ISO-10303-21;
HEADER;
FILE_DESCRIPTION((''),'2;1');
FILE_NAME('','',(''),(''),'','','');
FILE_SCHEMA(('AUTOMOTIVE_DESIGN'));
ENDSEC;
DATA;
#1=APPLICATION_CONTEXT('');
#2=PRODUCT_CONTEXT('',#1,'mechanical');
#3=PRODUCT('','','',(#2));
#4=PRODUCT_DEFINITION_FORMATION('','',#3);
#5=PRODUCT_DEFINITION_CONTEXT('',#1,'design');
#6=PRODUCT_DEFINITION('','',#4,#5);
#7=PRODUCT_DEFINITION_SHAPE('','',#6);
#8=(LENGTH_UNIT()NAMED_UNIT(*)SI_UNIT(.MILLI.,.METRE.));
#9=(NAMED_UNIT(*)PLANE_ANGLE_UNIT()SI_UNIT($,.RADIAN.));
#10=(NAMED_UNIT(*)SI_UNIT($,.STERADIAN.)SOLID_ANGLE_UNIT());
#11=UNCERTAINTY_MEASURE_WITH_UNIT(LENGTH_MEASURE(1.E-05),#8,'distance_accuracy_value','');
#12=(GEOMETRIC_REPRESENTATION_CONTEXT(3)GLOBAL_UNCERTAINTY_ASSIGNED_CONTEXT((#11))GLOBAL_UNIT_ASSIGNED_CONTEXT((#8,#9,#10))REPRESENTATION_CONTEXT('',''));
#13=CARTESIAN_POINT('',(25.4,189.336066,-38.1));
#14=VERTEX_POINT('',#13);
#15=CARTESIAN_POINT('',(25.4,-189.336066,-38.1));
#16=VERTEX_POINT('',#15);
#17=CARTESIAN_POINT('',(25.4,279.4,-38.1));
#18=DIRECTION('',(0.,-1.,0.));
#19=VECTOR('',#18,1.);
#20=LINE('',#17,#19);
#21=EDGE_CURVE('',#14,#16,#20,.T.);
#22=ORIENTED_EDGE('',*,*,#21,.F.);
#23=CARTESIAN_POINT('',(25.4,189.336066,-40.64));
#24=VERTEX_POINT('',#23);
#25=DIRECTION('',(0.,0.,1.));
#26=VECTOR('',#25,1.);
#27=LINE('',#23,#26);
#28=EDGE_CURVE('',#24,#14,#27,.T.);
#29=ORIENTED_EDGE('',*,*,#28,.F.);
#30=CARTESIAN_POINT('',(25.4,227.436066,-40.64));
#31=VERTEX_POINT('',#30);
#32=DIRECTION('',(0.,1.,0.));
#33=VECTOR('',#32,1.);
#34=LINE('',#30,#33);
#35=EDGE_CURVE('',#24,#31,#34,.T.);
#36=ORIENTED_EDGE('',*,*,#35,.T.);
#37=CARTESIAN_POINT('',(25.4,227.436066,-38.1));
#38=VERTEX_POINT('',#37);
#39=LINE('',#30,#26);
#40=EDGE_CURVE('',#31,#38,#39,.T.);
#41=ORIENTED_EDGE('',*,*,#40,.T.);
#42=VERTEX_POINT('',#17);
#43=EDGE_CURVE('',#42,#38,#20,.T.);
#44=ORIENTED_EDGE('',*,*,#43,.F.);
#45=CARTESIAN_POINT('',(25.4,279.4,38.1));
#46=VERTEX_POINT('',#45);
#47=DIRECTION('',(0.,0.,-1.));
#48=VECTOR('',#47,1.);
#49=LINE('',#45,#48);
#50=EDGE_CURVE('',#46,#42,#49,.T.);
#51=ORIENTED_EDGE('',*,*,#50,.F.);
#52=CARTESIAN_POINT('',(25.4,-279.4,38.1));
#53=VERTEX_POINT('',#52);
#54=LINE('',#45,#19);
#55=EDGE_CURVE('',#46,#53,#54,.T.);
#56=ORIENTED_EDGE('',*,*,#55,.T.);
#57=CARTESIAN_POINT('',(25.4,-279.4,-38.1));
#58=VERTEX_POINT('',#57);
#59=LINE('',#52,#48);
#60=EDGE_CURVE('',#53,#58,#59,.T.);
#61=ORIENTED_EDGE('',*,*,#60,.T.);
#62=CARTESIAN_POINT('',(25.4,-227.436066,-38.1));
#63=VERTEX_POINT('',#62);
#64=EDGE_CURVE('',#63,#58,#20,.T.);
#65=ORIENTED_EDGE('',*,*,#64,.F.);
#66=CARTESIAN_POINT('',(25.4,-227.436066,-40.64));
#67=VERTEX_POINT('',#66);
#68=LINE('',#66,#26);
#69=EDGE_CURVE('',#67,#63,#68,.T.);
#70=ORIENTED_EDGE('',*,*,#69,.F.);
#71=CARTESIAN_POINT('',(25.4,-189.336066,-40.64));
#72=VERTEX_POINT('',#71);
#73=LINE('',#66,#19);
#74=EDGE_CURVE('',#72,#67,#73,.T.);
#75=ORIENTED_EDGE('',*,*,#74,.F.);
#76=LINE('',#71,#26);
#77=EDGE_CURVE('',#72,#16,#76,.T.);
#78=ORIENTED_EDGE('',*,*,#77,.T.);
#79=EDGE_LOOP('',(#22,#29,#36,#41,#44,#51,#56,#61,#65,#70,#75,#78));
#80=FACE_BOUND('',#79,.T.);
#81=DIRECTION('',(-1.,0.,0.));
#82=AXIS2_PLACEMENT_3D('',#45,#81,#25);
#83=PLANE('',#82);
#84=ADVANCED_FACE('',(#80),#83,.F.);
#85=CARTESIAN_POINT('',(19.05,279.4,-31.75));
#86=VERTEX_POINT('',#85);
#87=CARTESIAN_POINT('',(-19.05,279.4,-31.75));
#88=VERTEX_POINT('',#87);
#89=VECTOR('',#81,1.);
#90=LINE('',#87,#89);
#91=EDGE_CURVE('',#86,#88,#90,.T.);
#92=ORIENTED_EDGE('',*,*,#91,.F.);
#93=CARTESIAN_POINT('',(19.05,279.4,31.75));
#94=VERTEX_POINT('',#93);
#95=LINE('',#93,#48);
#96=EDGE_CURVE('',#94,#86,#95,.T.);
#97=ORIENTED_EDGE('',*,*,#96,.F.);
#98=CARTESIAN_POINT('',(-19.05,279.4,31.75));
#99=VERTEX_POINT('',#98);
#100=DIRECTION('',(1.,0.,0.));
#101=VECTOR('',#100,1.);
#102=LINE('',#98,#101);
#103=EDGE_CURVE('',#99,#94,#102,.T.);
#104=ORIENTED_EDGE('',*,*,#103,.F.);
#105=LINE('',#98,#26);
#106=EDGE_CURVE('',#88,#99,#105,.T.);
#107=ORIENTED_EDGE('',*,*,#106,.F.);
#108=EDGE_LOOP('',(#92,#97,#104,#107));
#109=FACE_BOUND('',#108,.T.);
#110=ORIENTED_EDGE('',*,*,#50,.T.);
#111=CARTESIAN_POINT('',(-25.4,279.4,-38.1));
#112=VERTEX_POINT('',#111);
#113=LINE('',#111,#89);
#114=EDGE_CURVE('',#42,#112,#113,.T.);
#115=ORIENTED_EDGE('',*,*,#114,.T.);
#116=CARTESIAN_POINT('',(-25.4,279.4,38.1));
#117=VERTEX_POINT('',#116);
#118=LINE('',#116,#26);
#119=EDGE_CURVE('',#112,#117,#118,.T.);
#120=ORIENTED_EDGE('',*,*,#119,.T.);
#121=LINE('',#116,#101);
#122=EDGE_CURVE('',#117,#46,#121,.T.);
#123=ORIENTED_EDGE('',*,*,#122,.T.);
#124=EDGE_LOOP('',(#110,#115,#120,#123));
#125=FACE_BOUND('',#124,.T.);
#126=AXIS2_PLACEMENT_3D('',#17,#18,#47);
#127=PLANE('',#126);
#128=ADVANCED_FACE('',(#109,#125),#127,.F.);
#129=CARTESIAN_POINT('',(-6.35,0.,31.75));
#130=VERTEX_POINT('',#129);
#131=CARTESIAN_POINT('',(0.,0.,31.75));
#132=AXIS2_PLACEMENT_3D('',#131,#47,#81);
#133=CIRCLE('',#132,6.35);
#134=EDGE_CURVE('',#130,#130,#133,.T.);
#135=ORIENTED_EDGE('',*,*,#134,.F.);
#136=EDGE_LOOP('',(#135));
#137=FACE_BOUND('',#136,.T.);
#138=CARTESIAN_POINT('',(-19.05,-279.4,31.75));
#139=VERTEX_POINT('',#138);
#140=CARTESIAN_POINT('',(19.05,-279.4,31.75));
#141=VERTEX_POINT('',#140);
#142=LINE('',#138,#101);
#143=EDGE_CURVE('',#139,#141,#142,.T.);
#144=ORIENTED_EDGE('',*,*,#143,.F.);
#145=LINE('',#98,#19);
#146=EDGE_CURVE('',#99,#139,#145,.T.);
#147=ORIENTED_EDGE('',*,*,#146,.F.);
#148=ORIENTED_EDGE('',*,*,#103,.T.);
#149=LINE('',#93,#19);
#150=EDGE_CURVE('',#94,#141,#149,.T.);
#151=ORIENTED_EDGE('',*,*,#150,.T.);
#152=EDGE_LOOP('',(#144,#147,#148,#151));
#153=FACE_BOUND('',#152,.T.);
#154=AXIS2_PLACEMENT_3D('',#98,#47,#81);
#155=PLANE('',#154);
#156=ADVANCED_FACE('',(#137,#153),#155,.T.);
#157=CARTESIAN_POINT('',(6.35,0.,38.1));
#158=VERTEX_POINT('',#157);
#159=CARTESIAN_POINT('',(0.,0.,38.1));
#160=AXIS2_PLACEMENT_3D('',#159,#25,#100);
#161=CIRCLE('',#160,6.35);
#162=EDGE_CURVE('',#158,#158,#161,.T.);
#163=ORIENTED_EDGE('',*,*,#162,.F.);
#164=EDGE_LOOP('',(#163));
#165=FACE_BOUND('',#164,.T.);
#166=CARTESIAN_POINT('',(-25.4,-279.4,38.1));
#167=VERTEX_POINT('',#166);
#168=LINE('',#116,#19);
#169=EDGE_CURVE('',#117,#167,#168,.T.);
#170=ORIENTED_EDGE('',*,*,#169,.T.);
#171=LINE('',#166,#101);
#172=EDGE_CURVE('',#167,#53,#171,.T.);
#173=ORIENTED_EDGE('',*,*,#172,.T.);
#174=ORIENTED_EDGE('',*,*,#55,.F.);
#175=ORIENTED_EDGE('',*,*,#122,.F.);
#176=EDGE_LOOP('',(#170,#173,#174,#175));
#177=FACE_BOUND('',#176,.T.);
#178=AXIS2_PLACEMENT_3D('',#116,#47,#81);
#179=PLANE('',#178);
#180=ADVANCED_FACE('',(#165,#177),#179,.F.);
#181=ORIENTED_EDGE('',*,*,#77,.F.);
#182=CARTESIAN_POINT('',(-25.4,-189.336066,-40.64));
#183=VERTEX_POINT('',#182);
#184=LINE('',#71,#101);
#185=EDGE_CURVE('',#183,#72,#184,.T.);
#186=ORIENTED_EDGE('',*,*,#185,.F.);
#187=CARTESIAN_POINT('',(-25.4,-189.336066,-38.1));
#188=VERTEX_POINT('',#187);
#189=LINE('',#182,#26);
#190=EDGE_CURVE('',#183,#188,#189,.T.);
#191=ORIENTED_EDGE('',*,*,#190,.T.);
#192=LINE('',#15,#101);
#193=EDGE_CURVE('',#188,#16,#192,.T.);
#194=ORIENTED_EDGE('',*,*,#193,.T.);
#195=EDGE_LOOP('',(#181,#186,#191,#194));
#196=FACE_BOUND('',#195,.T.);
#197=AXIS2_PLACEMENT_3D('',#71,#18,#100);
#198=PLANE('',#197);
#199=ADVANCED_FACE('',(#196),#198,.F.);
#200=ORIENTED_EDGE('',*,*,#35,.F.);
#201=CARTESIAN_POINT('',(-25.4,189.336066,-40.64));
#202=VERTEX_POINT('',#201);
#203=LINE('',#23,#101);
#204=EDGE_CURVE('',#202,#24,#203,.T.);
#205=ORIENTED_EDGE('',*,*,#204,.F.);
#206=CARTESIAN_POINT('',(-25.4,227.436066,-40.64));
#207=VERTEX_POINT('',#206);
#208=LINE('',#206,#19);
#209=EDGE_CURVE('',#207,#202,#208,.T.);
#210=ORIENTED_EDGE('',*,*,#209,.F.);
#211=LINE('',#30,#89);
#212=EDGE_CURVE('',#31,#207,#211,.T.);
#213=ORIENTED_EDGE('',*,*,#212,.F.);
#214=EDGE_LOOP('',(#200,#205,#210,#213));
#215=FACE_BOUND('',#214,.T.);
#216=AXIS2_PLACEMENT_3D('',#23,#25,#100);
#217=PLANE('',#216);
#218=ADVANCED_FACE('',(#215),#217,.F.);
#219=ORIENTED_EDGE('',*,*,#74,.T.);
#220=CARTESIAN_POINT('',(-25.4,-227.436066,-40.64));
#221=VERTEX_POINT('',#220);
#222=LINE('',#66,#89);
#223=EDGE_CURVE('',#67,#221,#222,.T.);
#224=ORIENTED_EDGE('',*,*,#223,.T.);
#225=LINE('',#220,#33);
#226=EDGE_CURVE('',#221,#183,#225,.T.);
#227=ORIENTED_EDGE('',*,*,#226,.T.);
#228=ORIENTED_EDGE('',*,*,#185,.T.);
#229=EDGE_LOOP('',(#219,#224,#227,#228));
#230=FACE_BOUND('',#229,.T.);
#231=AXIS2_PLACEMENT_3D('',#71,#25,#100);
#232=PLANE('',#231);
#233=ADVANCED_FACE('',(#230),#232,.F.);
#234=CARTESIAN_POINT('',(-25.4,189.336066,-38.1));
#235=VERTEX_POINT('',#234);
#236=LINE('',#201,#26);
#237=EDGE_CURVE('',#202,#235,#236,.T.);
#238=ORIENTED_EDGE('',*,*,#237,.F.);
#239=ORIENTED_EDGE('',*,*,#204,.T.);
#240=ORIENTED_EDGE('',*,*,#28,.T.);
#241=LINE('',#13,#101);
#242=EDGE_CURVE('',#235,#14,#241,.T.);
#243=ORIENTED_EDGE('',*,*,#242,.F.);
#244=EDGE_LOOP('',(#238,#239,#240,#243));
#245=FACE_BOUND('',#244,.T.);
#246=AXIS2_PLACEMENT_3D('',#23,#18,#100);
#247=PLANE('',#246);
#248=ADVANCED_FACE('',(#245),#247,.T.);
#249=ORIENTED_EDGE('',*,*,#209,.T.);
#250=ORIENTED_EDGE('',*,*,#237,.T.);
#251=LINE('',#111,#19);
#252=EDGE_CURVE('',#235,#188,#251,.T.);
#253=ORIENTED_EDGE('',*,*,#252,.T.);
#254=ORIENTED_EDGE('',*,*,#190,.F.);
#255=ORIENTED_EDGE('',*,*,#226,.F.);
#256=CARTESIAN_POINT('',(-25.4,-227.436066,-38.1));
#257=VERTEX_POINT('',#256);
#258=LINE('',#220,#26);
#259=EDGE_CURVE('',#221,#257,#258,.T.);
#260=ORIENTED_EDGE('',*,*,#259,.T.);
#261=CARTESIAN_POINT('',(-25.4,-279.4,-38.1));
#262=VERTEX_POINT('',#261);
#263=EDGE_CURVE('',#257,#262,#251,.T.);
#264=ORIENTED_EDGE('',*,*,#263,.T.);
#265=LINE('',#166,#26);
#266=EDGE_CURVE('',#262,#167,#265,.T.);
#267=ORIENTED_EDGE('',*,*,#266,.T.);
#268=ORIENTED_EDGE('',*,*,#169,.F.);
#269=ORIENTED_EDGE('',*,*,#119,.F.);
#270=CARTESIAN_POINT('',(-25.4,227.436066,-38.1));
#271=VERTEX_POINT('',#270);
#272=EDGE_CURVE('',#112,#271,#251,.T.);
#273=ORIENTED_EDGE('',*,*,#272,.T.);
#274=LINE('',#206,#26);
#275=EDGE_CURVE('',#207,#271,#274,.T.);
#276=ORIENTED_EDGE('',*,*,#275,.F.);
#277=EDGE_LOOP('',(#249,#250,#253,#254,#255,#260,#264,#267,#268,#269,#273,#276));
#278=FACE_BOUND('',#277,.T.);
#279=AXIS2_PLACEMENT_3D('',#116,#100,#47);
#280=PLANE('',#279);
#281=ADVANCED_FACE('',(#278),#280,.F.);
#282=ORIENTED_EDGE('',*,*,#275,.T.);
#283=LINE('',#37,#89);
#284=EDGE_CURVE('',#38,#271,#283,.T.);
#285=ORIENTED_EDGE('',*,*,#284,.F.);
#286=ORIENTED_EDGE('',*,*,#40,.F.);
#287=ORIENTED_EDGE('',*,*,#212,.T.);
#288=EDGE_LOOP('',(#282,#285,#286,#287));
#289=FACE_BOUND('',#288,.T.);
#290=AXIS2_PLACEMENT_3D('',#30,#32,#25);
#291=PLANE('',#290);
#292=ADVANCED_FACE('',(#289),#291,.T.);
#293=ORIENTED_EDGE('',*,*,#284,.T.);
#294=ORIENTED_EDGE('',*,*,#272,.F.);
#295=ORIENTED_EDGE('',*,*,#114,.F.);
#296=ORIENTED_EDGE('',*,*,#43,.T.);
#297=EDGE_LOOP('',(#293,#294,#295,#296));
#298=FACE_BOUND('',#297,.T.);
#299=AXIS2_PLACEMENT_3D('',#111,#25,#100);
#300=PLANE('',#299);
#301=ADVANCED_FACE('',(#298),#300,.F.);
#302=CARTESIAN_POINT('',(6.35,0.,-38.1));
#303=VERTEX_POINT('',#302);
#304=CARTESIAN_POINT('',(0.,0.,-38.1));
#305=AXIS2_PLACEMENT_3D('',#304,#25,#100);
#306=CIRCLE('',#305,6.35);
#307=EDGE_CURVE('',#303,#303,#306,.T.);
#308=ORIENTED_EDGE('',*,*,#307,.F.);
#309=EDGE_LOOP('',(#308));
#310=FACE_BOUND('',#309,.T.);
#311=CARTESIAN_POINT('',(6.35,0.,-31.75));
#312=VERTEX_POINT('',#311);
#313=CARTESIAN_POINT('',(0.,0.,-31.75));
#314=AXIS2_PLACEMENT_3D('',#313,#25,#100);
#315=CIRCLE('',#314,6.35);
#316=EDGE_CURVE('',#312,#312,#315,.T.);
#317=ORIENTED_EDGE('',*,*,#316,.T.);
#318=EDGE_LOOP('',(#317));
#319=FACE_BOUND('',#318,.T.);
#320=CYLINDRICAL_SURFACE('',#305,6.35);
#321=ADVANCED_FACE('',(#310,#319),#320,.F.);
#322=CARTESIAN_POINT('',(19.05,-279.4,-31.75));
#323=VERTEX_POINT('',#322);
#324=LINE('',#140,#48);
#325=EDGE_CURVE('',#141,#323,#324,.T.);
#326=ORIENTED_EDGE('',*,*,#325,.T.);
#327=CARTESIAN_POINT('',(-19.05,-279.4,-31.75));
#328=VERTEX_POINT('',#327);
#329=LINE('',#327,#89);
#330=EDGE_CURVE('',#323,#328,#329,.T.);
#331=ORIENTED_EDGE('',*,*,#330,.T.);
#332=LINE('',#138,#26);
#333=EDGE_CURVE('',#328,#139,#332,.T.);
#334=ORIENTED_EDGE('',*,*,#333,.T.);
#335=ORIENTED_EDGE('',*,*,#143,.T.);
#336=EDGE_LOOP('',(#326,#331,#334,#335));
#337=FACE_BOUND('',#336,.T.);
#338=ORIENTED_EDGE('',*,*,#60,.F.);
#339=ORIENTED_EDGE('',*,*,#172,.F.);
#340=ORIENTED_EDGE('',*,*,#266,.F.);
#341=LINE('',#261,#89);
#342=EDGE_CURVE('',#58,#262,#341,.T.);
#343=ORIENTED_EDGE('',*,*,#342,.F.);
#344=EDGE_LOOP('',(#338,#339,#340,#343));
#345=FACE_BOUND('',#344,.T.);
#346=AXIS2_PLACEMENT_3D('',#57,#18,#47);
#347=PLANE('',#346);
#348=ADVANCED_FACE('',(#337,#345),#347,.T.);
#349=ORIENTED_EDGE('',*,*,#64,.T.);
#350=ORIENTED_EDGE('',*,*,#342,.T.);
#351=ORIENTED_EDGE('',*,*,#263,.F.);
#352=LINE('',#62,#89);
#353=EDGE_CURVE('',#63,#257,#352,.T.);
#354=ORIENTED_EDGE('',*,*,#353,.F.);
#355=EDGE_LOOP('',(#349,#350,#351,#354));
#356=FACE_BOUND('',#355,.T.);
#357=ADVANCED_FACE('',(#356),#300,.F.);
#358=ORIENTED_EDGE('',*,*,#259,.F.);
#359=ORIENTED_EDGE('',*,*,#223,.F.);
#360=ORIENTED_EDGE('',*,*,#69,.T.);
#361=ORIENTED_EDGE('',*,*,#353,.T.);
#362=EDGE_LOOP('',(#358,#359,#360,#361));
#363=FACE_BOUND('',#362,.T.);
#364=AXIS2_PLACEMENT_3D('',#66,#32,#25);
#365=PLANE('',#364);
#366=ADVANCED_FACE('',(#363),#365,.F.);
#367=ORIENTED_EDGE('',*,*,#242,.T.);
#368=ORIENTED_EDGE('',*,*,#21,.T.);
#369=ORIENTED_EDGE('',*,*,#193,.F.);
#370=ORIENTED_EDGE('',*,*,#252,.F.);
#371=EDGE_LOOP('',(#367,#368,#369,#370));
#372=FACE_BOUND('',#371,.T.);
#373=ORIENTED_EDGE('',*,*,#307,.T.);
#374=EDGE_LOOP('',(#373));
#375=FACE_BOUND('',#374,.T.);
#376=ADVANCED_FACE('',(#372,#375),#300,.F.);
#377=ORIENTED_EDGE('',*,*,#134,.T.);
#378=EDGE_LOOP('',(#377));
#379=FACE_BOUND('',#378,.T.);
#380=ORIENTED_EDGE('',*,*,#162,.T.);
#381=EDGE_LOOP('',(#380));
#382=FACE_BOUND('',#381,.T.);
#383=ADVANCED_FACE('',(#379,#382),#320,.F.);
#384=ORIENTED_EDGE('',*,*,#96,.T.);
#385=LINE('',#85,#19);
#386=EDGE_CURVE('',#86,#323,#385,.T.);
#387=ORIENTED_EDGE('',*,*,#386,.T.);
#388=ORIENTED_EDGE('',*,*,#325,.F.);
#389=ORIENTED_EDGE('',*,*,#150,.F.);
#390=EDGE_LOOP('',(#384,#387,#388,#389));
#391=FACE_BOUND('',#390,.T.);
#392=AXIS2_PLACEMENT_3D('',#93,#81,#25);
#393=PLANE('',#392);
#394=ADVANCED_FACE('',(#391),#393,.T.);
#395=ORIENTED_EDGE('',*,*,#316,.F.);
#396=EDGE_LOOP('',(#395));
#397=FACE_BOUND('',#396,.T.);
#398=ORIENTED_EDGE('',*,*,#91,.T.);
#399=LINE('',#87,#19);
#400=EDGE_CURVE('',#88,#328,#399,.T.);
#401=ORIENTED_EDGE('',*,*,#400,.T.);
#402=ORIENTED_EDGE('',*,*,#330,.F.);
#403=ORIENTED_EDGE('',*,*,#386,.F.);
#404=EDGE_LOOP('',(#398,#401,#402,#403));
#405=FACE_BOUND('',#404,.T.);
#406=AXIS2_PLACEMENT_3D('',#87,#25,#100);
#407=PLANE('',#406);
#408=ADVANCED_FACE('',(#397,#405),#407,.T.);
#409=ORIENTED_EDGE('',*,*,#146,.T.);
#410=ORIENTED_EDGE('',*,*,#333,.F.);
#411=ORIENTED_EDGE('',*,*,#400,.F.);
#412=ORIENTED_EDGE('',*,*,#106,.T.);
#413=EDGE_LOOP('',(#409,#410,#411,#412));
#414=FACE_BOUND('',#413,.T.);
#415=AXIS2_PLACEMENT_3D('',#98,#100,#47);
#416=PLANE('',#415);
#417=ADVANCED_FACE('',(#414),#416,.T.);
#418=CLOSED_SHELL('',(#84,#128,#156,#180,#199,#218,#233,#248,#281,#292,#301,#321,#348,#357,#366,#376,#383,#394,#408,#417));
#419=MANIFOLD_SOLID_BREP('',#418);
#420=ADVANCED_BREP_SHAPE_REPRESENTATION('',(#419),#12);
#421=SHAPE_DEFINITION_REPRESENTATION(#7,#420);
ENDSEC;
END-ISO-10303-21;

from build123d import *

# Parameters (mm, degrees)
SKETCH1_W           = 50.8
SKETCH1_H           = 76.2
SKETCH1_W_2         = 38.1
SKETCH1_H_2         = 63.5
BOSS_EXTRUDE1_DEPTH = 279.4
SKETCH2_R           = 6.35
CUT_EXTRUDE1_DEPTH  = 77.2
SKETCH3_W           = 50.8
SKETCH3_H           = 38.1
BOSS_EXTRUDE2_DEPTH = 2.54


with BuildPart() as part:
    # Sketch1 → Boss-Extrude1 (new body, symmetric)
    with BuildSketch(Plane(origin=(0, 0, 0), x_dir=(1, 0, 0), z_dir=(0, 1, 0))):
        Rectangle(SKETCH1_W, SKETCH1_H)
        Rectangle(SKETCH1_W_2, SKETCH1_H_2, mode=Mode.SUBTRACT)
    extrude(amount=BOSS_EXTRUDE1_DEPTH, both=True)

    # Sketch2 → Cut-Extrude1 (cut, through all)
    with BuildSketch(Plane.XY.offset(38.1)):
        Circle(SKETCH2_R)
    extrude(amount=-CUT_EXTRUDE1_DEPTH, mode=Mode.SUBTRACT)

    # Sketch3 → Boss-Extrude2 (add)
    with BuildSketch(Plane(origin=(0, 0, -38.1), x_dir=(-1, 0, 0), z_dir=(0, 0, -1))):
        with Locations((0, -208.386065816)):
            Rectangle(SKETCH3_W, SKETCH3_H)
    boss_extrude2 = extrude(amount=BOSS_EXTRUDE2_DEPTH)

    # Mirror1: Boss-Extrude2 across plane
    add(boss_extrude2.mirror(Plane.ZX))


solid = part.part
